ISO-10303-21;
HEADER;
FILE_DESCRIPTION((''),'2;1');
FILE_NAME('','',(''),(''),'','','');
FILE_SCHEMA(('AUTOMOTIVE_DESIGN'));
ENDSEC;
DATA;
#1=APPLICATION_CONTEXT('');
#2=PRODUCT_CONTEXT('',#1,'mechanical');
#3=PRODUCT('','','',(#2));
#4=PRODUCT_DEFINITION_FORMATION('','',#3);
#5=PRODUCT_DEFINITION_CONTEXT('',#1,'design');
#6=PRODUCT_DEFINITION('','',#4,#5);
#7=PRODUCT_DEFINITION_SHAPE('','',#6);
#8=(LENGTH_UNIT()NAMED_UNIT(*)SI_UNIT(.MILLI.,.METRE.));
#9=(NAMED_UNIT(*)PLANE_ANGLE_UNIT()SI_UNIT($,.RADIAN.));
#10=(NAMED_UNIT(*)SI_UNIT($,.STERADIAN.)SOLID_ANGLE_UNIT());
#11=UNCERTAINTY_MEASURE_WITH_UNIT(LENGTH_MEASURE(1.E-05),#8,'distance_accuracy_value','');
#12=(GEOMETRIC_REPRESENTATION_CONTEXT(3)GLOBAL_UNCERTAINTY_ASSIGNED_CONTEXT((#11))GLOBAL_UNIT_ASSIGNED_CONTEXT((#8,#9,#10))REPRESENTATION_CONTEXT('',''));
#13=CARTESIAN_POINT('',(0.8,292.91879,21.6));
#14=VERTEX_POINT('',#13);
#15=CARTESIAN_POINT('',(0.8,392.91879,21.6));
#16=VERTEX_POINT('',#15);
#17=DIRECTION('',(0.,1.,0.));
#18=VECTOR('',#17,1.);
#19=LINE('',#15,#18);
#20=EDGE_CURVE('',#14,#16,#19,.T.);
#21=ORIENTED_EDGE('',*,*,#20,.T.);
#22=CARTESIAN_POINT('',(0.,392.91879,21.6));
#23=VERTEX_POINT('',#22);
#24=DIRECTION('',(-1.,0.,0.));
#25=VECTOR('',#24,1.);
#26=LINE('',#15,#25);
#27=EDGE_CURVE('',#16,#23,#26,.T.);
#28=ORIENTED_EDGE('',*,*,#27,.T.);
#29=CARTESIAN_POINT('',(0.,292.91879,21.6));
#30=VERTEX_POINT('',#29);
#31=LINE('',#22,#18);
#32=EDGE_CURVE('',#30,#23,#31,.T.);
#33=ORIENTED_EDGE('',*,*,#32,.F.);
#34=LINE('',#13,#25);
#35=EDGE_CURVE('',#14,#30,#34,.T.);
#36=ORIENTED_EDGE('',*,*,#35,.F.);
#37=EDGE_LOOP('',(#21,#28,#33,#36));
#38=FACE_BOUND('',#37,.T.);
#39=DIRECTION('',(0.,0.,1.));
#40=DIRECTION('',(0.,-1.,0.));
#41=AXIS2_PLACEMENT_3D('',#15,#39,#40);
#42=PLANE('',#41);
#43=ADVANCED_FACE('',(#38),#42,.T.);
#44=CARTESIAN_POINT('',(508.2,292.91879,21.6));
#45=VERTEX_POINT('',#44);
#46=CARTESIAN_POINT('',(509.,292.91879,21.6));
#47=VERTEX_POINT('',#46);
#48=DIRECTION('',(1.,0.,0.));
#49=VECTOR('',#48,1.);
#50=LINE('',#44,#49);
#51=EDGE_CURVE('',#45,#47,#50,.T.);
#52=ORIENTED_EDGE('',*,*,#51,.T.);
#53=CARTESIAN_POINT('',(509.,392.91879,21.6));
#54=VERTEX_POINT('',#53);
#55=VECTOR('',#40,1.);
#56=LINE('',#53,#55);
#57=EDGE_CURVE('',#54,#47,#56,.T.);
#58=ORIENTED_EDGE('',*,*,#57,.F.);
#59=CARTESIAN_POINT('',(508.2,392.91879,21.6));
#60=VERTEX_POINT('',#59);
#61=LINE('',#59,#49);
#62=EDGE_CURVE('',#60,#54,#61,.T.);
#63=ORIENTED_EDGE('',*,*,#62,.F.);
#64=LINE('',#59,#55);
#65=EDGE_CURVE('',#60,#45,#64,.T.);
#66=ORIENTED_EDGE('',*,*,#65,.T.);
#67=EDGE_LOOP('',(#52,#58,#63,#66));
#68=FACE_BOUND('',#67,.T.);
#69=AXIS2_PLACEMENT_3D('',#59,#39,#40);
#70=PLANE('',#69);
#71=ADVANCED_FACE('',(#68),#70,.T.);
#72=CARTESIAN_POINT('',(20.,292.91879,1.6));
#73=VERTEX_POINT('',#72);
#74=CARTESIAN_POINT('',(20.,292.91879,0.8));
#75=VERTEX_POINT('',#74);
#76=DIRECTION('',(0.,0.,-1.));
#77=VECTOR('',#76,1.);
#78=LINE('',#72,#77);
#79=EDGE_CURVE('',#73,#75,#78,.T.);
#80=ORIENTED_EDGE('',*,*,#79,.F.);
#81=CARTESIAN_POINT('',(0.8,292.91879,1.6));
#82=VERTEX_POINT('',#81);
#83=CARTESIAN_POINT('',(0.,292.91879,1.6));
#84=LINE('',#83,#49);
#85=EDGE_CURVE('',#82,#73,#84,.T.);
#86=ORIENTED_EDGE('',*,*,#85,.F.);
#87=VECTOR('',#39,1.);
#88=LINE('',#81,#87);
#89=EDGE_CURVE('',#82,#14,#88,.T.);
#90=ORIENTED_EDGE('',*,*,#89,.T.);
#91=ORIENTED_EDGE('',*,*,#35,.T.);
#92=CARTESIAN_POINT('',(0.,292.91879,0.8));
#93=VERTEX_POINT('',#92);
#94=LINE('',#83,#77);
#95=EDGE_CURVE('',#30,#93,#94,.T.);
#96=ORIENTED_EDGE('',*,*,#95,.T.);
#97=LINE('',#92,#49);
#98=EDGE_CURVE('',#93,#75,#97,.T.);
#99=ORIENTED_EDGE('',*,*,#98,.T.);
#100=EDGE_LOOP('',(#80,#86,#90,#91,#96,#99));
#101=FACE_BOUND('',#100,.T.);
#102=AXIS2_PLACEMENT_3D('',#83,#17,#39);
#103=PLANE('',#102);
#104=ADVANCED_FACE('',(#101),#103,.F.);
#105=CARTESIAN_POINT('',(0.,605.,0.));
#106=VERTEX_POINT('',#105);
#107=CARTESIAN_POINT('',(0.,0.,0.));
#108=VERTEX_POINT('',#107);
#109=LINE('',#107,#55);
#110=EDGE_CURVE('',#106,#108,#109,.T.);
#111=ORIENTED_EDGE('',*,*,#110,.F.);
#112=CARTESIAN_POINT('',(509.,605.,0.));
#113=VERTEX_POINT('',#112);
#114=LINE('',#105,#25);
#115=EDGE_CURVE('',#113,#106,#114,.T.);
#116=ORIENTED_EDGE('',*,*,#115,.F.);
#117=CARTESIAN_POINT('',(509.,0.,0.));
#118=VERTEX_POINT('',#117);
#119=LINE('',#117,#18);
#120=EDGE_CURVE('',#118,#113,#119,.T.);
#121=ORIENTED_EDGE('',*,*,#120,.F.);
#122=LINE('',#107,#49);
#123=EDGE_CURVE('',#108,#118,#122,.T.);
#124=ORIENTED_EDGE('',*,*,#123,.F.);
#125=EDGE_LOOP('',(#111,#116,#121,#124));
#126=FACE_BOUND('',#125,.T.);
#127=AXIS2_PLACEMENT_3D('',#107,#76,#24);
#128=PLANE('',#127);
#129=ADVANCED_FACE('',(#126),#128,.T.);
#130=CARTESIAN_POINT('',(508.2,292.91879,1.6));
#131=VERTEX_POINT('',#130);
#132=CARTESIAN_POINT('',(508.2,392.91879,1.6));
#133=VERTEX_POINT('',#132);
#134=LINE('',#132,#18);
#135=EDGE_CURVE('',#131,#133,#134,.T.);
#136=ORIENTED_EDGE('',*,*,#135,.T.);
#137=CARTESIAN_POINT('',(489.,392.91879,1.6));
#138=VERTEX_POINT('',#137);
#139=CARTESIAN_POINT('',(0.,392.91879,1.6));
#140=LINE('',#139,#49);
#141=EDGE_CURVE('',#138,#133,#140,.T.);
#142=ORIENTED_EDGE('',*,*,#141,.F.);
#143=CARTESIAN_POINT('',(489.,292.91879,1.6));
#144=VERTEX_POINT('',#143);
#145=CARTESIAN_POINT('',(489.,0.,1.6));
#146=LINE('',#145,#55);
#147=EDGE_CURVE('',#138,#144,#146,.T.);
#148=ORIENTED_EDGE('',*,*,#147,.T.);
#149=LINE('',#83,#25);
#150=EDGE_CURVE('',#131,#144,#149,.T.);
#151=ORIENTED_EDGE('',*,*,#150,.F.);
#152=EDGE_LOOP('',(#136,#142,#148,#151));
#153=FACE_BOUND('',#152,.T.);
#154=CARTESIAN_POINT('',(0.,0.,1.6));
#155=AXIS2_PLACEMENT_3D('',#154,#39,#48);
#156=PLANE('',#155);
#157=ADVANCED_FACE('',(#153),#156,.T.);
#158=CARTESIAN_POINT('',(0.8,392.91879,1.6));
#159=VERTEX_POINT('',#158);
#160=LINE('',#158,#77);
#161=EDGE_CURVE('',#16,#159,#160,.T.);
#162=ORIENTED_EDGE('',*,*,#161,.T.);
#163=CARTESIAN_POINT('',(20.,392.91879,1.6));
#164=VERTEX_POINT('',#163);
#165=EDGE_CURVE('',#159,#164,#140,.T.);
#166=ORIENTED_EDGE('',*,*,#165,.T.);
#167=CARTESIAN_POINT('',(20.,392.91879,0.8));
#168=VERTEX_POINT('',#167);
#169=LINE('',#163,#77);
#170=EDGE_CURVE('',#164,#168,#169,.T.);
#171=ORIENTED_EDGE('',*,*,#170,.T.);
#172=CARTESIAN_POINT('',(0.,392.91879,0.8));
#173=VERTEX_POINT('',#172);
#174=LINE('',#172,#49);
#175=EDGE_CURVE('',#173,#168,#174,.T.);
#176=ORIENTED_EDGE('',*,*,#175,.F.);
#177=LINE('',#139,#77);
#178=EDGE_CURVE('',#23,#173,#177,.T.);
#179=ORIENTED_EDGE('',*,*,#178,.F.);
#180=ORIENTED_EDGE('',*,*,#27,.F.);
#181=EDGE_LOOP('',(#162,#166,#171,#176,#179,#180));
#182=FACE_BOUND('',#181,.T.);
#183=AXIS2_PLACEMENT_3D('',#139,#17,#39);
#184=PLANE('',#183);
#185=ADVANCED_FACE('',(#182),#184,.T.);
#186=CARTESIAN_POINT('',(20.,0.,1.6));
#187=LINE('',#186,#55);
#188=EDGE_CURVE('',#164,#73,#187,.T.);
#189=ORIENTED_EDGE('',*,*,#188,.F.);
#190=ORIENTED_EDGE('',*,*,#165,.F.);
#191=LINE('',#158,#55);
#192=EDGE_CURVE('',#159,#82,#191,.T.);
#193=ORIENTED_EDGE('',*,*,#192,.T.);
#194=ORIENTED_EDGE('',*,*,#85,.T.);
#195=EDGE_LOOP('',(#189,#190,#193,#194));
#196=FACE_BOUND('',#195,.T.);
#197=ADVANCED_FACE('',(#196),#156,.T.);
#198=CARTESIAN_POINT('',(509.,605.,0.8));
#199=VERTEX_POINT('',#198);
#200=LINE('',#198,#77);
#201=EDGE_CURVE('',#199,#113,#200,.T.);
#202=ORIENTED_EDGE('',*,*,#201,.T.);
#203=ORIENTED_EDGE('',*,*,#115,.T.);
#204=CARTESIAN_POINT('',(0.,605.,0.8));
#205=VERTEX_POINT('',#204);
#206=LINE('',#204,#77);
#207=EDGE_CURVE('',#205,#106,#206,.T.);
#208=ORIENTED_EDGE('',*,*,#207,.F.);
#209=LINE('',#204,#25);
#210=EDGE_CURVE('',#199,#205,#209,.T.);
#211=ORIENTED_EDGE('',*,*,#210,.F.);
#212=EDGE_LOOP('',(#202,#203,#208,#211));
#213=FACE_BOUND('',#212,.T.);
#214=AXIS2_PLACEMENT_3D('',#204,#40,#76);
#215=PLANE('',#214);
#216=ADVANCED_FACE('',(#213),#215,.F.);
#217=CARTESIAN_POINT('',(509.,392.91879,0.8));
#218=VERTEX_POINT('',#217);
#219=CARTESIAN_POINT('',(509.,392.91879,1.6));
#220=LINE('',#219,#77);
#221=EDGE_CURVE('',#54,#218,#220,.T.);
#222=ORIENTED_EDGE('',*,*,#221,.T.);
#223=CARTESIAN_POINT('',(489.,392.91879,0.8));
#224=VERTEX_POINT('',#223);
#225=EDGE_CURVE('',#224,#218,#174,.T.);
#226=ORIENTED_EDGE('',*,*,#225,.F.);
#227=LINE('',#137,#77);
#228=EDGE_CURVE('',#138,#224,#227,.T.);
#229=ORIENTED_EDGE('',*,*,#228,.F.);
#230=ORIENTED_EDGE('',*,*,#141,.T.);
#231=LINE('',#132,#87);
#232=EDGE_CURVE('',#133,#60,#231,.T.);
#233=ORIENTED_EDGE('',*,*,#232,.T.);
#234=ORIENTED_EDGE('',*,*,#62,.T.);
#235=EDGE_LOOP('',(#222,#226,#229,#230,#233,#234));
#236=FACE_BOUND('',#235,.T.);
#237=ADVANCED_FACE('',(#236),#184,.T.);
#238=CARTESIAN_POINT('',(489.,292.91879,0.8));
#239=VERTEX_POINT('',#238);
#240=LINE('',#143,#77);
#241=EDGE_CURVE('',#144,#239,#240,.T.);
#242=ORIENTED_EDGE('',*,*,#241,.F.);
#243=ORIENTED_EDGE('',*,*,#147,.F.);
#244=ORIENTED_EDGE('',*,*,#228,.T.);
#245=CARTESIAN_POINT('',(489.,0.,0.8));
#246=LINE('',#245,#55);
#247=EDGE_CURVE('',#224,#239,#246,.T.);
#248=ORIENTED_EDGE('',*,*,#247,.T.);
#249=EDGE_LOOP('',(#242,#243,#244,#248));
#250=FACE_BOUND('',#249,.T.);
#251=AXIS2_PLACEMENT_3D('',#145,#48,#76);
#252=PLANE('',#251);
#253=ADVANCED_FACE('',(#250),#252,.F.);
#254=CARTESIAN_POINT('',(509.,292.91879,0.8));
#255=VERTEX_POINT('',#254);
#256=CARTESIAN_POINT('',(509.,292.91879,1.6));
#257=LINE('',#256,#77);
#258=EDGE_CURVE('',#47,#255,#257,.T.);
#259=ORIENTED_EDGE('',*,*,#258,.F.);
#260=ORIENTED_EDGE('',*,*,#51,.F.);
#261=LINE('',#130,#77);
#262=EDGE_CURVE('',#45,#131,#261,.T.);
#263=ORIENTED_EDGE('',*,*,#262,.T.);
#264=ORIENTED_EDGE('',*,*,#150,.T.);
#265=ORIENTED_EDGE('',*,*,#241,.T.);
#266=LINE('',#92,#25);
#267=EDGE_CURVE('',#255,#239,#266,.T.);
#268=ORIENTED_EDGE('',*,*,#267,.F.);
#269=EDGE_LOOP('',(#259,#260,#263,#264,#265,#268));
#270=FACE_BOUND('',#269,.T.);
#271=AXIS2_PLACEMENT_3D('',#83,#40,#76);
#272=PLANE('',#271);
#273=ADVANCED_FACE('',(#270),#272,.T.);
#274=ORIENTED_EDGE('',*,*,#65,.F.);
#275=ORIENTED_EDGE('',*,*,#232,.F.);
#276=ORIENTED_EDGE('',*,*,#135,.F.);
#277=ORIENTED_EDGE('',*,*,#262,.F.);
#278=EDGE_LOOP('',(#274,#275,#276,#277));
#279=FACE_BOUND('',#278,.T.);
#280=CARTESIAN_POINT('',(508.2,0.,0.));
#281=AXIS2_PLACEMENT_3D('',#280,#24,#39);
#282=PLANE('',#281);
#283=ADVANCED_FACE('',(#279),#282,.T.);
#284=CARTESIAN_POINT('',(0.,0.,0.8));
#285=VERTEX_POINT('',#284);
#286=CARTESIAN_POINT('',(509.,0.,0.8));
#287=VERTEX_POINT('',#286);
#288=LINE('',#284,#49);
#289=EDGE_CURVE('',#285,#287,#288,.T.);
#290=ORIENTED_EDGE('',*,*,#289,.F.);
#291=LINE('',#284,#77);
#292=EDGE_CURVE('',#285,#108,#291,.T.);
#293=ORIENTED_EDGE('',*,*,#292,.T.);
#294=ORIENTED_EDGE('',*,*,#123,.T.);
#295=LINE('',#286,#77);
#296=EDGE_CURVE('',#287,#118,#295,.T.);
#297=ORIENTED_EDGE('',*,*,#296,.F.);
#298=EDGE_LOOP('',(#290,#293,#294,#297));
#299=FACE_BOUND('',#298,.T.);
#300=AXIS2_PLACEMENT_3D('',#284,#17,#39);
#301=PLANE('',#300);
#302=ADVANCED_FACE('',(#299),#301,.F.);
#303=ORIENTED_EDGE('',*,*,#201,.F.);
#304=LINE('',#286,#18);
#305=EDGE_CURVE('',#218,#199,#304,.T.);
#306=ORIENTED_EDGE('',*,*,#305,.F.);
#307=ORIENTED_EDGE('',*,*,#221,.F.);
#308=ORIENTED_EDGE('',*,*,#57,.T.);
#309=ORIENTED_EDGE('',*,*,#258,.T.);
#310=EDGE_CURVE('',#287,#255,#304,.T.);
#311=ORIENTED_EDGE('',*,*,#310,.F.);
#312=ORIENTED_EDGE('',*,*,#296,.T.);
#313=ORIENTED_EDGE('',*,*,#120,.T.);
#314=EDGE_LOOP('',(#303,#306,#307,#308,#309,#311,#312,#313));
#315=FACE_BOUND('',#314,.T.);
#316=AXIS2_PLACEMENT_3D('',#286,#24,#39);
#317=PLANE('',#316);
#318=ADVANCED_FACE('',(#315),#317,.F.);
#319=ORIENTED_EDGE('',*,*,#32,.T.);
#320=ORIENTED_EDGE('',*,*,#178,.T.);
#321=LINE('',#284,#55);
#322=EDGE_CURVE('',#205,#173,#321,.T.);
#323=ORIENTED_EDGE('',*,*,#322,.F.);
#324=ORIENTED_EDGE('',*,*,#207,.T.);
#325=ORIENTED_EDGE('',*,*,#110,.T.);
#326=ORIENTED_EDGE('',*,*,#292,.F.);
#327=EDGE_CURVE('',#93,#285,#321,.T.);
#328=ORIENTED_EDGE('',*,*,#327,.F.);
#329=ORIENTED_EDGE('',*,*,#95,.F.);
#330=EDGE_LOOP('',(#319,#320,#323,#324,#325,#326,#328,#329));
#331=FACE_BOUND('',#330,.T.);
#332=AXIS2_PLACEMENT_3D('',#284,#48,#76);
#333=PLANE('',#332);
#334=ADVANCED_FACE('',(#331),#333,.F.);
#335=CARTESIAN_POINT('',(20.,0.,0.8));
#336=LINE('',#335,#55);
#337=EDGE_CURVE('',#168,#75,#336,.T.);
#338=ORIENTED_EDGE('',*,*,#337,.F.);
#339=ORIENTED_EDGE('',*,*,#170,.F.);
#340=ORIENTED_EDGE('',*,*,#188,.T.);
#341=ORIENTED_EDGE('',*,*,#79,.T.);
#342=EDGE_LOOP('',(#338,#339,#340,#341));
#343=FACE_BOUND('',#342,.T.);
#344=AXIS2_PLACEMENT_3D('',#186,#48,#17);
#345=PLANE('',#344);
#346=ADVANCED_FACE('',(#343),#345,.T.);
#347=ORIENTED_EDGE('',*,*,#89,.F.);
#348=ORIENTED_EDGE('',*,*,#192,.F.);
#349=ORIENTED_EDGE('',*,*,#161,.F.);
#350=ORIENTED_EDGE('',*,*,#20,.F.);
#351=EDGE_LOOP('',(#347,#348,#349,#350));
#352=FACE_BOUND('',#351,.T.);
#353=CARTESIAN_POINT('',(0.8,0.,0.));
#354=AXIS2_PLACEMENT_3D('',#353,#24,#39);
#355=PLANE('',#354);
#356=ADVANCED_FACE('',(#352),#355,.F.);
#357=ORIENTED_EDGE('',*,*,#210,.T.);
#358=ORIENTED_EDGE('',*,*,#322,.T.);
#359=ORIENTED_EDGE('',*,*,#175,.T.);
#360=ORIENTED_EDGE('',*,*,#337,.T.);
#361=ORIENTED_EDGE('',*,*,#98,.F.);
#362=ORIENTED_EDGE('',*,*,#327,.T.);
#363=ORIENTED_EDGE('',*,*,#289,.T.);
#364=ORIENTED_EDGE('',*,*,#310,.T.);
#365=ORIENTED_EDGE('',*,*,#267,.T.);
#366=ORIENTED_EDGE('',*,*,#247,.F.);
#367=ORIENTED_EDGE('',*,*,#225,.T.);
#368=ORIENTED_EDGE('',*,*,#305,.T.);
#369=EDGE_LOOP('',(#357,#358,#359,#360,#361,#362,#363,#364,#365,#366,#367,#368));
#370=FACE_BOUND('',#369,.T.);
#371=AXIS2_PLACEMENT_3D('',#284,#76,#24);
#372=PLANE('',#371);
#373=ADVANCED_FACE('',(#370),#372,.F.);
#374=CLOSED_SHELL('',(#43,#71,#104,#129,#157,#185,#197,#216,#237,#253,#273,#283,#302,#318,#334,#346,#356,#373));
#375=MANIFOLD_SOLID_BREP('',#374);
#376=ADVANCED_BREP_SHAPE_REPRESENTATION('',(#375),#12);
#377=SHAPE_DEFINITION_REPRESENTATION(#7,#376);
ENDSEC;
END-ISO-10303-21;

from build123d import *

# Parameters (mm, degrees)
SKETCH1_W           = 509
SKETCH1_H           = 605
BOSS_EXTRUDE1_DEPTH = 0.8
SKETCH2_W           = 20
SKETCH2_H           = 100
BOSS_EXTRUDE2_DEPTH = 0.8
SKETCH4_W           = 20
SKETCH4_H           = 100
BOSS_EXTRUDE3_DEPTH = 0.8
SKETCH5_W           = 20
SKETCH5_H           = 100
BOSS_EXTRUDE4_DEPTH = 0.8


with BuildPart() as part:
    # Sketch1 → Boss-Extrude1 (new body)
    with BuildSketch(Plane.XY):
        with Locations((254.5, 302.5)):
            Rectangle(SKETCH1_W, SKETCH1_H)
    extrude(amount=BOSS_EXTRUDE1_DEPTH)

    # Sketch2 → Boss-Extrude2 (add)
    with BuildSketch(Plane.XY.offset(0.8)):
        with Locations((10, 342.918789735)):
            Rectangle(SKETCH2_W, SKETCH2_H)
        with Locations((499, 342.918789735)):
            Rectangle(SKETCH2_W, SKETCH2_H)
    extrude(amount=BOSS_EXTRUDE2_DEPTH)

    # Sketch4 → Boss-Extrude3 (add)
    with BuildSketch(Plane.ZY):
        with Locations((11.6, 342.918789735)):
            Rectangle(SKETCH4_W, SKETCH4_H)
    extrude(amount=-BOSS_EXTRUDE3_DEPTH)

    # Sketch5 → Boss-Extrude4 (add)
    with BuildSketch(Plane(origin=(509, 0, 0), x_dir=(0, 0, -1), z_dir=(1, 0, 0))):
        with Locations((-11.6, 342.918789735)):
            Rectangle(SKETCH5_W, SKETCH5_H)
    extrude(amount=-BOSS_EXTRUDE4_DEPTH)


solid = part.part
